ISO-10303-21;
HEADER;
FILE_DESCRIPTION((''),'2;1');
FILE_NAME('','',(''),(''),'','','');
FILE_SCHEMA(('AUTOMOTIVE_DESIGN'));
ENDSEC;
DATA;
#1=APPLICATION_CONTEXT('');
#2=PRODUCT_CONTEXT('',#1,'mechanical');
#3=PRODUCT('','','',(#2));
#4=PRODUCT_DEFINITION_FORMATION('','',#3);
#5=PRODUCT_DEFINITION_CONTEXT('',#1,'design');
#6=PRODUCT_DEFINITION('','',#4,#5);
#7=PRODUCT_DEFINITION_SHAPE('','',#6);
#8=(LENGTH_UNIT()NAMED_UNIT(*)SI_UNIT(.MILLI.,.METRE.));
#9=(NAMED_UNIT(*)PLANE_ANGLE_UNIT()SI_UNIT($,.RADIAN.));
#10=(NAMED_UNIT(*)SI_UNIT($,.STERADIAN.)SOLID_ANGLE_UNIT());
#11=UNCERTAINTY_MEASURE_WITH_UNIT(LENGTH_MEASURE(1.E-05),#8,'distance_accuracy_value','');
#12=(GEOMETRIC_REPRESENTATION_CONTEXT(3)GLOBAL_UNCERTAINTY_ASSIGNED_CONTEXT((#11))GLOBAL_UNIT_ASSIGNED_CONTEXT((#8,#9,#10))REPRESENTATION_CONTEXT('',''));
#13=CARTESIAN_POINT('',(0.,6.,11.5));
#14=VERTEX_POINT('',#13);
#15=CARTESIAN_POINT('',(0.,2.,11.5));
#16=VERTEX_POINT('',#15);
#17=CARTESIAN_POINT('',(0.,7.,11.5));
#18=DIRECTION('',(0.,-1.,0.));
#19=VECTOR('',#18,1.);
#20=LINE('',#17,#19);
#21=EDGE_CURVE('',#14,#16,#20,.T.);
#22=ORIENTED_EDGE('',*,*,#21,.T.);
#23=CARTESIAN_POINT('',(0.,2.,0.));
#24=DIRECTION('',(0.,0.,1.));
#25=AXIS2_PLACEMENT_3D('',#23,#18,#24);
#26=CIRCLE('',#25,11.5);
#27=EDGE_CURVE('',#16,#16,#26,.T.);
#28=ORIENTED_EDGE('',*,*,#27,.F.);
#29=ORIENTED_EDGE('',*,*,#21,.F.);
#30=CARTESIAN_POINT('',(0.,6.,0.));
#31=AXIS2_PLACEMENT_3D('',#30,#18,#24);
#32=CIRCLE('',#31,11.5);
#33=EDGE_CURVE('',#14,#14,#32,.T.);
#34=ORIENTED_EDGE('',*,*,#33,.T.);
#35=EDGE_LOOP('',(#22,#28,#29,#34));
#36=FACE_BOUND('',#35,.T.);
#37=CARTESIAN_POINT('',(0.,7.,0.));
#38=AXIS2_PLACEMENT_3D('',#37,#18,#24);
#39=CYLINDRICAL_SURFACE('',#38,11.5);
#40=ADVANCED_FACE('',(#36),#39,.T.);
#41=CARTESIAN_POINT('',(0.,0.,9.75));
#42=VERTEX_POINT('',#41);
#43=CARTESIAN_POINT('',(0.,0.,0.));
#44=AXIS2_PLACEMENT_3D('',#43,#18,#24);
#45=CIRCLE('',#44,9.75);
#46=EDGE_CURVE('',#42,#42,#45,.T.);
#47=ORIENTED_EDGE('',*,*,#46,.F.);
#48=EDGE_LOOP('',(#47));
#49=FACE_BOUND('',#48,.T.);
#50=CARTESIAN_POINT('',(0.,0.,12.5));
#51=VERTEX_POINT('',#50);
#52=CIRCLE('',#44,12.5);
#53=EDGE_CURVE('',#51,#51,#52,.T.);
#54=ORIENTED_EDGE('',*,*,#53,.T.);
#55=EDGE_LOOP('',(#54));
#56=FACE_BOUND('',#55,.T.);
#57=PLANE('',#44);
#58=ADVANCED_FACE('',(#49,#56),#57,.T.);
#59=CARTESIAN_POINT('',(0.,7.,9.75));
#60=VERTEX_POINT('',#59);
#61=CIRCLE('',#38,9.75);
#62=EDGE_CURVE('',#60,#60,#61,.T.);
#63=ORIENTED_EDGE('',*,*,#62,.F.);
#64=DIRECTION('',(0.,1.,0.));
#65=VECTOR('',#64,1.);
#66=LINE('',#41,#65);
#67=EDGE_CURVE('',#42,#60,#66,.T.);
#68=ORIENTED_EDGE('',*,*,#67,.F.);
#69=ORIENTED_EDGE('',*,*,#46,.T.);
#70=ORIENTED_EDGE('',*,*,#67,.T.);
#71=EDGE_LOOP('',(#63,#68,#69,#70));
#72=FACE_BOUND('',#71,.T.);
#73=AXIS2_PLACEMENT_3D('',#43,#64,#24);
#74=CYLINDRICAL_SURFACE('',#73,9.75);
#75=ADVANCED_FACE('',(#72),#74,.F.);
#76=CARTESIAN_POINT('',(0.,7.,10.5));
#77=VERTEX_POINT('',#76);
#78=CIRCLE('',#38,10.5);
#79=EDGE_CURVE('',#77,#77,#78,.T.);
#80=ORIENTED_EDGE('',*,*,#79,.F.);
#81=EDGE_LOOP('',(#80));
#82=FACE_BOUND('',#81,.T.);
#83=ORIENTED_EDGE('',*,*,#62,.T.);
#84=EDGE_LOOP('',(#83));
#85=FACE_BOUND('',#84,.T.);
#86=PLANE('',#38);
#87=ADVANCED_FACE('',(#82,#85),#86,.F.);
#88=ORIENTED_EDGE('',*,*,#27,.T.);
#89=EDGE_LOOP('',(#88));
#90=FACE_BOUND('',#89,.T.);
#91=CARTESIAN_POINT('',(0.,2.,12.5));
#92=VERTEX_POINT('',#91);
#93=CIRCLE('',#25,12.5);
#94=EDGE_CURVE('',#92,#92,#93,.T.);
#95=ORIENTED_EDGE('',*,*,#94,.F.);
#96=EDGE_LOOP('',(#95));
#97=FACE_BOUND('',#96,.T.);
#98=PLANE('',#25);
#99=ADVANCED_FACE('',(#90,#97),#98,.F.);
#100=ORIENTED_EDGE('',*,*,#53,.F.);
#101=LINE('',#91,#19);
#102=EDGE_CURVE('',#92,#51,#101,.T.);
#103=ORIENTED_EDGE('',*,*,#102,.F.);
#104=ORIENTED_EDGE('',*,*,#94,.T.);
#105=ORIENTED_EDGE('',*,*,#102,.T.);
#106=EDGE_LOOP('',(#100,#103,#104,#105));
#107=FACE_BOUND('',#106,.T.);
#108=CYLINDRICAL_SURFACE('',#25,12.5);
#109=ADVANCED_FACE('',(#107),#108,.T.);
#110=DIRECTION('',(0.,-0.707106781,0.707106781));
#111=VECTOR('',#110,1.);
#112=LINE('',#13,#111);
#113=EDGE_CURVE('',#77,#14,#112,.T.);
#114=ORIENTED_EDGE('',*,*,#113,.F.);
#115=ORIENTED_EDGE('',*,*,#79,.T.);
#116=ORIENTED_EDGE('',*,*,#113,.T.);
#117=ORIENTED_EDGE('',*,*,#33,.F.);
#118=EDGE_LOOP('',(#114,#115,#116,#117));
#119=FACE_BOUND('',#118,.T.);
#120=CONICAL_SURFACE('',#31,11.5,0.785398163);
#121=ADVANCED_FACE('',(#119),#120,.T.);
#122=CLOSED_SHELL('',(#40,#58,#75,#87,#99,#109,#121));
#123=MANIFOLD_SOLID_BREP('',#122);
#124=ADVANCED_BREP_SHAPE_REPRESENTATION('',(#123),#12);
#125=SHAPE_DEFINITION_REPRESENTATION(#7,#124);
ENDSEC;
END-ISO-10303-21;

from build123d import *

# Parameters (mm, degrees)
F2_SIZE = 1


with BuildPart() as f1:
    # F0 (on Right) → F1 (revolve)
    with BuildSketch(Plane.YZ):
        Polygon((0, 9.75), (7, 9.75), (7, 11.5), (2, 11.5), (2, 12.5), (0, 12.5), align=None)
    revolve(axis=Axis((0, 5.735075, 0), (0, -1, 0)))

    # F2
    f2_edges = [f1.edges().sort_by_distance(p)[0] for p in [
        (0, 7, -11.5),
    ]]
    chamfer(f2_edges, length=F2_SIZE)


solid = f1.part
